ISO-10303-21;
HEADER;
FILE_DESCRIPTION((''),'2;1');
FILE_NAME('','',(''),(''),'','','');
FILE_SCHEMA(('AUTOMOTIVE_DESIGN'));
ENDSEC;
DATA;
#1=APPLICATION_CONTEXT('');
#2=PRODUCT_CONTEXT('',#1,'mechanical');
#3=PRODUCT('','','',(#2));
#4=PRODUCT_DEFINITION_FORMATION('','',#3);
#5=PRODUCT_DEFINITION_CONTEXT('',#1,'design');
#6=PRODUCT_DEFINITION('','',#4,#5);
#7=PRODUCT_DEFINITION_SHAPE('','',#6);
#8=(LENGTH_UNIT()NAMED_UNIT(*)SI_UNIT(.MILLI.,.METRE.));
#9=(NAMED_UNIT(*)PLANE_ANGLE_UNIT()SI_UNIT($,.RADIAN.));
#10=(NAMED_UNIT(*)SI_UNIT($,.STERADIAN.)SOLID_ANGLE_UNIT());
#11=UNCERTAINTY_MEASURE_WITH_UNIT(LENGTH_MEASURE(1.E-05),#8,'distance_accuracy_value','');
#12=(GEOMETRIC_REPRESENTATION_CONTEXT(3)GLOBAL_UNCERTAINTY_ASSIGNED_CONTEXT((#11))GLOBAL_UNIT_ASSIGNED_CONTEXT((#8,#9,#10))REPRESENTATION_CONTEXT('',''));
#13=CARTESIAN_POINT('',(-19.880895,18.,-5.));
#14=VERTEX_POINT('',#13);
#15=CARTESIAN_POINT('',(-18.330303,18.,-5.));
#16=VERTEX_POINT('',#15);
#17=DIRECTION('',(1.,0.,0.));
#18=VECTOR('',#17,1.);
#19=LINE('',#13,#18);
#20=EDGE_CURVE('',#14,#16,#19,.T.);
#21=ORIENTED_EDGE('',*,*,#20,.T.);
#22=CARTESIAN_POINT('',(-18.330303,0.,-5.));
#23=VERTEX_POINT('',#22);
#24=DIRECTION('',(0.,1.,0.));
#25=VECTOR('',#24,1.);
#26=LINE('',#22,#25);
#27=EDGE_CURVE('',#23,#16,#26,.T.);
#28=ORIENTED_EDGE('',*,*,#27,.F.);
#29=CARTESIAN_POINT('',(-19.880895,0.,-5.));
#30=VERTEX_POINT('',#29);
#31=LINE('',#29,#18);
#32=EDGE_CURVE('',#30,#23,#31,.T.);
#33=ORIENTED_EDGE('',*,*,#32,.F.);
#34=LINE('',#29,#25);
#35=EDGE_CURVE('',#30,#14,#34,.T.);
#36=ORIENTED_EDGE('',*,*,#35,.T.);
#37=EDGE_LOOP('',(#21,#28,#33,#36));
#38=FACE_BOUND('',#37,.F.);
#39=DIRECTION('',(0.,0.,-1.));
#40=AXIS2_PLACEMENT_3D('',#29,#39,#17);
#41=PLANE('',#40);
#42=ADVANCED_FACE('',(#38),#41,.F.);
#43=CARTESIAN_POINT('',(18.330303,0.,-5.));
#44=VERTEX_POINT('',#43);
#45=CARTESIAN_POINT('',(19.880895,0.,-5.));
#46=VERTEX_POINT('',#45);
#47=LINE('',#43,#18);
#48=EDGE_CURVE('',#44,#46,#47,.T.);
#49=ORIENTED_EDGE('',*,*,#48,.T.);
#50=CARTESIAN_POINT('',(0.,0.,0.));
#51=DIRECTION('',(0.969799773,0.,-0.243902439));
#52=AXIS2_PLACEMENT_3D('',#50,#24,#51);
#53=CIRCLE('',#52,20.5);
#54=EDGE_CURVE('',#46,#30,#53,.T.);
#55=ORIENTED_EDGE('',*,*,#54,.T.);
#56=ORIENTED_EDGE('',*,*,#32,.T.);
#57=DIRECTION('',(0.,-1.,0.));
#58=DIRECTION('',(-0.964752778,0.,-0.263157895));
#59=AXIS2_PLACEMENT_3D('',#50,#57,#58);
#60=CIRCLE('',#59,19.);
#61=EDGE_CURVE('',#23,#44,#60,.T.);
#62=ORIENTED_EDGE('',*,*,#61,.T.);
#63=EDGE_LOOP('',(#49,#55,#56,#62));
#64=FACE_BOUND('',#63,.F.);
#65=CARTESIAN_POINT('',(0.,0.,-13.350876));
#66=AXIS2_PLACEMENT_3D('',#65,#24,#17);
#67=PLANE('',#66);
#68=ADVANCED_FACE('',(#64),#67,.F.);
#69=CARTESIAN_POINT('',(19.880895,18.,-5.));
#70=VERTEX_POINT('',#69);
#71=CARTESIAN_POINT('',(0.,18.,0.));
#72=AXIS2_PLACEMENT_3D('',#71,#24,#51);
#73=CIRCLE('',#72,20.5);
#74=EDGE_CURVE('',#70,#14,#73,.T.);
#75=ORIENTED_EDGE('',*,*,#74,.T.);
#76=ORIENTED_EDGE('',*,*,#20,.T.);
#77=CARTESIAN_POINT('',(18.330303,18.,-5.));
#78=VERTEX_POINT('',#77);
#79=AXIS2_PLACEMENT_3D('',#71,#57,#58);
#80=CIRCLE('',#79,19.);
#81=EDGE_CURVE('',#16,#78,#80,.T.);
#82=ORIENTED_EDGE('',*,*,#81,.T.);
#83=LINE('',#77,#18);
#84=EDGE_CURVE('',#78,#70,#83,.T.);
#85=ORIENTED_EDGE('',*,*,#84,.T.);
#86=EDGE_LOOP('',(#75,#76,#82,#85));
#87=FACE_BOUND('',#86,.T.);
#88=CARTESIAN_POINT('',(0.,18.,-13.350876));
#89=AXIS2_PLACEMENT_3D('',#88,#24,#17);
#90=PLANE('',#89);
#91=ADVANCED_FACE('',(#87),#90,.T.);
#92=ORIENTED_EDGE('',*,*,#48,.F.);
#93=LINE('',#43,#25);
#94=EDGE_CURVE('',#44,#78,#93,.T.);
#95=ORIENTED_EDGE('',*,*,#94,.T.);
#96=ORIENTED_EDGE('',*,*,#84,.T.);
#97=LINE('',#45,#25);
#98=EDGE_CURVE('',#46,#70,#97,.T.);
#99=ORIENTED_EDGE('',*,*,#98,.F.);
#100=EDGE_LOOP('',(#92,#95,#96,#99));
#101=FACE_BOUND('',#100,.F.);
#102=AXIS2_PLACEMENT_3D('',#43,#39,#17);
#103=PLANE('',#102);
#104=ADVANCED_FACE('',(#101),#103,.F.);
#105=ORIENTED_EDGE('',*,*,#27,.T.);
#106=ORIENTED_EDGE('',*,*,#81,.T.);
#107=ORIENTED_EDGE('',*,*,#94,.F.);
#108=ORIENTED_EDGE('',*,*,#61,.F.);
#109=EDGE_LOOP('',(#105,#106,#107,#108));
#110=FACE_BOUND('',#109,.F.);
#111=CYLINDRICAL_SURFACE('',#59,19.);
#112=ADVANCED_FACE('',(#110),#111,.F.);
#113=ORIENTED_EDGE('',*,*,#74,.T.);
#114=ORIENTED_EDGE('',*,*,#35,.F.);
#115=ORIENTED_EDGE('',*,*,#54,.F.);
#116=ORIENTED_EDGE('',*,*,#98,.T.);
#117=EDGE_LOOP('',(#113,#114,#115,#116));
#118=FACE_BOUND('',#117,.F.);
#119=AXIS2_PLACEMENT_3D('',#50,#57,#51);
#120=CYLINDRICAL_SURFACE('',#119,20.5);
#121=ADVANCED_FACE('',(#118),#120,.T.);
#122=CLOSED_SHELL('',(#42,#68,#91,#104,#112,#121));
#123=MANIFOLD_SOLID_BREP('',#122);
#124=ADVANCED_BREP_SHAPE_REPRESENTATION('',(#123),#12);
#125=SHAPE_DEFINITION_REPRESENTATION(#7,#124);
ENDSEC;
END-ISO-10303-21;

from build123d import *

# Parameters (mm, degrees)
BOSS_EXTRUDE1_DEPTH = 18


with BuildPart() as part:
    # Sketch1 → Boss-Extrude1 (new body)
    with BuildSketch(Plane(origin=(0, 0, 0), x_dir=(1, 0, 0), z_dir=(0, 1, 0))):
        with BuildLine():
            Line((-19.880895352, 5), (-18.33030278, 5))
            ThreePointArc((-18.33030278, 5), (0, 19), (18.33030278, 5))
            Line((18.33030278, 5), (19.880895352, 5))
            ThreePointArc((19.880895352, 5), (0, 20.5), (-19.880895352, 5))
        make_face()
    extrude(amount=BOSS_EXTRUDE1_DEPTH)


solid = part.part
